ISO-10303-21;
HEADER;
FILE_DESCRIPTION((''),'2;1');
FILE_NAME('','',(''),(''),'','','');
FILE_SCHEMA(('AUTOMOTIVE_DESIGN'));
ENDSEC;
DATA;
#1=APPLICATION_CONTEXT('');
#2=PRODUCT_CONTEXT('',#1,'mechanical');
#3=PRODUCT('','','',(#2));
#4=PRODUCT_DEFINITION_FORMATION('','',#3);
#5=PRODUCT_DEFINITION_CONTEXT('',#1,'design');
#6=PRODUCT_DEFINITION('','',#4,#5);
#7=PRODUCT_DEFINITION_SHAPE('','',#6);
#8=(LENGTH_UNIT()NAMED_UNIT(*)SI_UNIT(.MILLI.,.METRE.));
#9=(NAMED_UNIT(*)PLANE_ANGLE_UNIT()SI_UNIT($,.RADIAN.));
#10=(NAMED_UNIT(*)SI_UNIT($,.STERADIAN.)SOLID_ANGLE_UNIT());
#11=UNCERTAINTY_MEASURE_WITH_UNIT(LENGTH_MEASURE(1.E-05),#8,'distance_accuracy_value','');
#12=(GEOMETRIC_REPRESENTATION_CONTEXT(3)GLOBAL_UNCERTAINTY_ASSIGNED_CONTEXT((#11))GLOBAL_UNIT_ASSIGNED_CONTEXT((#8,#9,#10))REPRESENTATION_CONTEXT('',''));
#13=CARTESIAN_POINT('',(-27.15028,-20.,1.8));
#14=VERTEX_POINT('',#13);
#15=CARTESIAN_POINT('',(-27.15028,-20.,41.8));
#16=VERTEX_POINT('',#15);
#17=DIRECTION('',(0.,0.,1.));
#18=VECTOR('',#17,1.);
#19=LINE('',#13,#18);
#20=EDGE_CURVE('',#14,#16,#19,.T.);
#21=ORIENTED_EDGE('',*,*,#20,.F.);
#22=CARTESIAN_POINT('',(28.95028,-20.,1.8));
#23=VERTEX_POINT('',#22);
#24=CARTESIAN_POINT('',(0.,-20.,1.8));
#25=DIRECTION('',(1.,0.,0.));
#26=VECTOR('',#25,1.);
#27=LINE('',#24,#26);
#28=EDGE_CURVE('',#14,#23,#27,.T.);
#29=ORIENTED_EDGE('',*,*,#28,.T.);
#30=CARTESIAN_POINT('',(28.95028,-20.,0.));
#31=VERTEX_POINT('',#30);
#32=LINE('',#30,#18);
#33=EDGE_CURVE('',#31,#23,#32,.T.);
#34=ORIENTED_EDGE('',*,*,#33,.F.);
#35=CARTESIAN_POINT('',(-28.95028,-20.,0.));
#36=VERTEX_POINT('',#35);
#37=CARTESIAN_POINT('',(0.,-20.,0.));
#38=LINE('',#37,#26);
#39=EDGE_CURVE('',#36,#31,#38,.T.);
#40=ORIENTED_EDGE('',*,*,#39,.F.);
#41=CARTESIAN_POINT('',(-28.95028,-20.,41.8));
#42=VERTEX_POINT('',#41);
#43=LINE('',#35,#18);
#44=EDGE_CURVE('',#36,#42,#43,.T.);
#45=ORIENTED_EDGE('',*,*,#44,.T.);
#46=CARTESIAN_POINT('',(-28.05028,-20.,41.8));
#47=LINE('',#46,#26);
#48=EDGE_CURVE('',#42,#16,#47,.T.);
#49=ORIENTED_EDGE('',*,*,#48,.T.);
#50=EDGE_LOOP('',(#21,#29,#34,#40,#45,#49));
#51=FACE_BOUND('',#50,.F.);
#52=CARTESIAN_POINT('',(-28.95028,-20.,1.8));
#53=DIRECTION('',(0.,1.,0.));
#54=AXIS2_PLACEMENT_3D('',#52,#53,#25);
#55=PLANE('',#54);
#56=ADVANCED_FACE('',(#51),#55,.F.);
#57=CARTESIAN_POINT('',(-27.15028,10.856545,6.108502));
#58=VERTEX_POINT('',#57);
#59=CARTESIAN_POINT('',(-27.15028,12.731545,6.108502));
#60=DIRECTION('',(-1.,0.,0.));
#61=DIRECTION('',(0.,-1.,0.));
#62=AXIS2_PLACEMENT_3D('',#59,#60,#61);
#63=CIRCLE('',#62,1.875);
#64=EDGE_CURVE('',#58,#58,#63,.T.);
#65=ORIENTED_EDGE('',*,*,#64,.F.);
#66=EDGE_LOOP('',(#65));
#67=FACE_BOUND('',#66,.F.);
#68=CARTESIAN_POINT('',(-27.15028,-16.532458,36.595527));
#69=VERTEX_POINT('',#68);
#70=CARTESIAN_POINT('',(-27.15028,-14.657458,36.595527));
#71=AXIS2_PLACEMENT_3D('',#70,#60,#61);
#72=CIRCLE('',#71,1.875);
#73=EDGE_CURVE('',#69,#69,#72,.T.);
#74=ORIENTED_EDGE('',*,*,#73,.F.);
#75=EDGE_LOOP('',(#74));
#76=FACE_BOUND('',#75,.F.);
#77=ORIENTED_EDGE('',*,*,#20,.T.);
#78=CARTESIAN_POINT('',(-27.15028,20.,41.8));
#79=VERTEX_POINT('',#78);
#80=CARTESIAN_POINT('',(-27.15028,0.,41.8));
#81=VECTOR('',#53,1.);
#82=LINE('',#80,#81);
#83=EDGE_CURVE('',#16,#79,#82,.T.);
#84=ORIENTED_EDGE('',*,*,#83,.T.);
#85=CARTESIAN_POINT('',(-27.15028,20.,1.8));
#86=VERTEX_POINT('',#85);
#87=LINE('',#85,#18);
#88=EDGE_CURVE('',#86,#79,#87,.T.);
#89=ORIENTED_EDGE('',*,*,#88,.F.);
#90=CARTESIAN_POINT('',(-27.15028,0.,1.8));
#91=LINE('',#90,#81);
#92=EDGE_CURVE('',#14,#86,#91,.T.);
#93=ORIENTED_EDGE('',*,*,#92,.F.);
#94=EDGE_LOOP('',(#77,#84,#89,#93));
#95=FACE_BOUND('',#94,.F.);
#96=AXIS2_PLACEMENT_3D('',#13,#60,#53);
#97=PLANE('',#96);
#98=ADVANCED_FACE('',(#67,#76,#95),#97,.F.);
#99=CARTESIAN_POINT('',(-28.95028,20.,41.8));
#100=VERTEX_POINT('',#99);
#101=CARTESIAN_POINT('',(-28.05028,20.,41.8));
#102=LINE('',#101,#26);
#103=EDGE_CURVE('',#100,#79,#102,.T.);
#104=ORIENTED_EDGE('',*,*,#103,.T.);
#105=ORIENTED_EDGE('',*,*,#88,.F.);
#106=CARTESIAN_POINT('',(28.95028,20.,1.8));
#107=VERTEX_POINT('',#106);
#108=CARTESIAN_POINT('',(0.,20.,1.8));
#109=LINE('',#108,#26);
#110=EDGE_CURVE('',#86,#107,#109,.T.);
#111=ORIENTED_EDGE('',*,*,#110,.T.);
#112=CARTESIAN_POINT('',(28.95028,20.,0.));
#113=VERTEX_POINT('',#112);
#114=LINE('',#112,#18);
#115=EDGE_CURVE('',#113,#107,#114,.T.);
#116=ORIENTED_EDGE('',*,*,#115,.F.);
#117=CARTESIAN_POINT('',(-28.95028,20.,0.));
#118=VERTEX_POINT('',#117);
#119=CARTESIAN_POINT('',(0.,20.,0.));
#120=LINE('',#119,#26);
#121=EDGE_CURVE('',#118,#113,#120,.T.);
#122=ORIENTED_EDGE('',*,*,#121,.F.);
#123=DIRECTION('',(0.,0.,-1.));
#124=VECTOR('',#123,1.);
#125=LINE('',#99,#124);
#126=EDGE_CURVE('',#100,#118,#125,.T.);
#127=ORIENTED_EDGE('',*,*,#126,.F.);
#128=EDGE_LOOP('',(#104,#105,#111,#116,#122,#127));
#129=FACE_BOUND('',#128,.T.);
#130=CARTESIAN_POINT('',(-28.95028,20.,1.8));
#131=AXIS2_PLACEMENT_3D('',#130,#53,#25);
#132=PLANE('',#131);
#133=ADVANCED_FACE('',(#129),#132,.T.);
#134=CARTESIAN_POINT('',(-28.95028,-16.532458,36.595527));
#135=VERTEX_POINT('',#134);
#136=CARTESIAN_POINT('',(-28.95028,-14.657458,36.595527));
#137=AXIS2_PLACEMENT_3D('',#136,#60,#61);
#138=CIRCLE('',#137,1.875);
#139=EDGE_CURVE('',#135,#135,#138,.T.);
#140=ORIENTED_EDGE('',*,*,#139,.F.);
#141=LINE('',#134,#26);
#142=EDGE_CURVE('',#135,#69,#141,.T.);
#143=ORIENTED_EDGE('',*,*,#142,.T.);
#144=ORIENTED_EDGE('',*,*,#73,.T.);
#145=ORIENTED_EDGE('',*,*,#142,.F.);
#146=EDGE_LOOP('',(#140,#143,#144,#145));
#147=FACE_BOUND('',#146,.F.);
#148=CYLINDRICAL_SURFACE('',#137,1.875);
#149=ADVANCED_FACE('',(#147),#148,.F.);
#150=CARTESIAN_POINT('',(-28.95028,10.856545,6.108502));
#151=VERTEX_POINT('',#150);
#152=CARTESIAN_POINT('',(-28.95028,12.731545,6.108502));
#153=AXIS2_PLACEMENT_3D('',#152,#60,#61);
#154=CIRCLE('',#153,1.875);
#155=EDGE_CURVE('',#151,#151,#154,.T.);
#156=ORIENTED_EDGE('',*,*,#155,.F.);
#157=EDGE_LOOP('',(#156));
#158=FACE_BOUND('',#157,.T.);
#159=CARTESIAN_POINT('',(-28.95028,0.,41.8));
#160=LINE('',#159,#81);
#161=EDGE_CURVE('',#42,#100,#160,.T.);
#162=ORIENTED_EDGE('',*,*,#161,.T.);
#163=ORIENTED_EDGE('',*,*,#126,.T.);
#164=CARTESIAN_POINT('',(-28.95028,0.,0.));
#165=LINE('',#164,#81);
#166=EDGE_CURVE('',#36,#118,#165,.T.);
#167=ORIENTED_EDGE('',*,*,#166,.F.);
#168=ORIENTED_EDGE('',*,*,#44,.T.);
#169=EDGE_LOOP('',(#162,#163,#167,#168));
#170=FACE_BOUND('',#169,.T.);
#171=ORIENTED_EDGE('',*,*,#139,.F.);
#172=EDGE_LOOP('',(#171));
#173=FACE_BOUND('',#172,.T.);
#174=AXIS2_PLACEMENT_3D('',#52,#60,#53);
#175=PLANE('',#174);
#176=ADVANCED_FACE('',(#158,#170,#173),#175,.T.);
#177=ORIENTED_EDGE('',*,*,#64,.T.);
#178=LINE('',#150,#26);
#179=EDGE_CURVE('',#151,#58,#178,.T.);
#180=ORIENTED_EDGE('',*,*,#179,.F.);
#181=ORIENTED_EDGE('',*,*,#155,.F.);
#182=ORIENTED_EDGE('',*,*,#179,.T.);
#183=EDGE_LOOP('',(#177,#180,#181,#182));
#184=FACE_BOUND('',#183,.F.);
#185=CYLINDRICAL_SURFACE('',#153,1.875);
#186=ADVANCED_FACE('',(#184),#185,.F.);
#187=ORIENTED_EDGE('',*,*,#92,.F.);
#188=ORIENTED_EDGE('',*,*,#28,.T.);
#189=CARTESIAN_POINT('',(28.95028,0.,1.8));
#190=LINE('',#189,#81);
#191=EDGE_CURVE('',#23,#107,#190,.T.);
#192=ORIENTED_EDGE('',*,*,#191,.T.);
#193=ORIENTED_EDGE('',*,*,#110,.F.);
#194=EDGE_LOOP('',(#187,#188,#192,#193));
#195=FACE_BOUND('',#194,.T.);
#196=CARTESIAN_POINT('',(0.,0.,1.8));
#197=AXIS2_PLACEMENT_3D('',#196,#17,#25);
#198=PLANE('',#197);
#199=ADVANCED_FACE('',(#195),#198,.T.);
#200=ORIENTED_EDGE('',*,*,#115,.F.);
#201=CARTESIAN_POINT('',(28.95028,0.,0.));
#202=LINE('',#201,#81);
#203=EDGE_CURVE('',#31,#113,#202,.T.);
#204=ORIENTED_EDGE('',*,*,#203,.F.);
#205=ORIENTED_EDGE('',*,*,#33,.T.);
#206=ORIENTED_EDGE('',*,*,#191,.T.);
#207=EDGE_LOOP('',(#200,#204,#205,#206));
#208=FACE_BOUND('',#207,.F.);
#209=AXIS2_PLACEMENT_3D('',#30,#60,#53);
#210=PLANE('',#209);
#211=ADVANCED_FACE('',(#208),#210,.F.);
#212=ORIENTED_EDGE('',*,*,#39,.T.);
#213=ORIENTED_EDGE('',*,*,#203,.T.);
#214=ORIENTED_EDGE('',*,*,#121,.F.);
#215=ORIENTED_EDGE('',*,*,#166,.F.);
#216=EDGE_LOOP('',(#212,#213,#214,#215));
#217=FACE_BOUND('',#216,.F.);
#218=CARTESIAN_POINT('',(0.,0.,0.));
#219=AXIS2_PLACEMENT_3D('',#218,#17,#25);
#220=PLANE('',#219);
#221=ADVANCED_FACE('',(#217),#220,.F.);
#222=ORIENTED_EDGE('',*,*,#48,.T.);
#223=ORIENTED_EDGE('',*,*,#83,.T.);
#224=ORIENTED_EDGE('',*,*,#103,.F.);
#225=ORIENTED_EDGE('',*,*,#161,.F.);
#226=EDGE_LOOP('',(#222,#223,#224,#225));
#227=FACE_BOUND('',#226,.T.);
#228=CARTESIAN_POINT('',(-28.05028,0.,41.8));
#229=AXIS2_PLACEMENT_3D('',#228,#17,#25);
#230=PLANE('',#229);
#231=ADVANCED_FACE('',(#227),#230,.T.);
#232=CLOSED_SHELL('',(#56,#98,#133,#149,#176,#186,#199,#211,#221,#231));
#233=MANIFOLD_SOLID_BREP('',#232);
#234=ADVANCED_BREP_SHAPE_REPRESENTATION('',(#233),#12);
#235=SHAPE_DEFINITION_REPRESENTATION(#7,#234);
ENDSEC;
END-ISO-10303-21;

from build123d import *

# Parameters (mm, degrees)
F0_W     = 57.90056
F0_H     = 40
F1_DEPTH = 1.8
F2_W     = 1.8
F2_H     = 40
F3_DEPTH = 40
F4_R     = 1.875
F5_DEPTH = 9.2


with BuildPart() as f1:
    # F0 (on Top) → F1 (new body)
    with BuildSketch(Plane.XY):
        Rectangle(F0_W, F0_H)
    extrude(amount=F1_DEPTH)

    # F2 (on face) → F3 (join)
    with BuildSketch(Plane.XY.offset(1.8)):
        with Locations((-28.05028, 0)):
            Rectangle(F2_W, F2_H)
    extrude(amount=F3_DEPTH)

    # F4 (on face) → F5 (cut)
    with BuildSketch(Plane(origin=(-28.95028, 0, 0), x_dir=(0, -1, 0), z_dir=(-1, 0, 0))):
        with Locations((14.657458, 36.595527)):
            Circle(F4_R)
        with Locations((-12.731545, 6.108502)):
            Circle(F4_R)
    extrude(amount=-F5_DEPTH, mode=Mode.SUBTRACT)


solid = f1.part
